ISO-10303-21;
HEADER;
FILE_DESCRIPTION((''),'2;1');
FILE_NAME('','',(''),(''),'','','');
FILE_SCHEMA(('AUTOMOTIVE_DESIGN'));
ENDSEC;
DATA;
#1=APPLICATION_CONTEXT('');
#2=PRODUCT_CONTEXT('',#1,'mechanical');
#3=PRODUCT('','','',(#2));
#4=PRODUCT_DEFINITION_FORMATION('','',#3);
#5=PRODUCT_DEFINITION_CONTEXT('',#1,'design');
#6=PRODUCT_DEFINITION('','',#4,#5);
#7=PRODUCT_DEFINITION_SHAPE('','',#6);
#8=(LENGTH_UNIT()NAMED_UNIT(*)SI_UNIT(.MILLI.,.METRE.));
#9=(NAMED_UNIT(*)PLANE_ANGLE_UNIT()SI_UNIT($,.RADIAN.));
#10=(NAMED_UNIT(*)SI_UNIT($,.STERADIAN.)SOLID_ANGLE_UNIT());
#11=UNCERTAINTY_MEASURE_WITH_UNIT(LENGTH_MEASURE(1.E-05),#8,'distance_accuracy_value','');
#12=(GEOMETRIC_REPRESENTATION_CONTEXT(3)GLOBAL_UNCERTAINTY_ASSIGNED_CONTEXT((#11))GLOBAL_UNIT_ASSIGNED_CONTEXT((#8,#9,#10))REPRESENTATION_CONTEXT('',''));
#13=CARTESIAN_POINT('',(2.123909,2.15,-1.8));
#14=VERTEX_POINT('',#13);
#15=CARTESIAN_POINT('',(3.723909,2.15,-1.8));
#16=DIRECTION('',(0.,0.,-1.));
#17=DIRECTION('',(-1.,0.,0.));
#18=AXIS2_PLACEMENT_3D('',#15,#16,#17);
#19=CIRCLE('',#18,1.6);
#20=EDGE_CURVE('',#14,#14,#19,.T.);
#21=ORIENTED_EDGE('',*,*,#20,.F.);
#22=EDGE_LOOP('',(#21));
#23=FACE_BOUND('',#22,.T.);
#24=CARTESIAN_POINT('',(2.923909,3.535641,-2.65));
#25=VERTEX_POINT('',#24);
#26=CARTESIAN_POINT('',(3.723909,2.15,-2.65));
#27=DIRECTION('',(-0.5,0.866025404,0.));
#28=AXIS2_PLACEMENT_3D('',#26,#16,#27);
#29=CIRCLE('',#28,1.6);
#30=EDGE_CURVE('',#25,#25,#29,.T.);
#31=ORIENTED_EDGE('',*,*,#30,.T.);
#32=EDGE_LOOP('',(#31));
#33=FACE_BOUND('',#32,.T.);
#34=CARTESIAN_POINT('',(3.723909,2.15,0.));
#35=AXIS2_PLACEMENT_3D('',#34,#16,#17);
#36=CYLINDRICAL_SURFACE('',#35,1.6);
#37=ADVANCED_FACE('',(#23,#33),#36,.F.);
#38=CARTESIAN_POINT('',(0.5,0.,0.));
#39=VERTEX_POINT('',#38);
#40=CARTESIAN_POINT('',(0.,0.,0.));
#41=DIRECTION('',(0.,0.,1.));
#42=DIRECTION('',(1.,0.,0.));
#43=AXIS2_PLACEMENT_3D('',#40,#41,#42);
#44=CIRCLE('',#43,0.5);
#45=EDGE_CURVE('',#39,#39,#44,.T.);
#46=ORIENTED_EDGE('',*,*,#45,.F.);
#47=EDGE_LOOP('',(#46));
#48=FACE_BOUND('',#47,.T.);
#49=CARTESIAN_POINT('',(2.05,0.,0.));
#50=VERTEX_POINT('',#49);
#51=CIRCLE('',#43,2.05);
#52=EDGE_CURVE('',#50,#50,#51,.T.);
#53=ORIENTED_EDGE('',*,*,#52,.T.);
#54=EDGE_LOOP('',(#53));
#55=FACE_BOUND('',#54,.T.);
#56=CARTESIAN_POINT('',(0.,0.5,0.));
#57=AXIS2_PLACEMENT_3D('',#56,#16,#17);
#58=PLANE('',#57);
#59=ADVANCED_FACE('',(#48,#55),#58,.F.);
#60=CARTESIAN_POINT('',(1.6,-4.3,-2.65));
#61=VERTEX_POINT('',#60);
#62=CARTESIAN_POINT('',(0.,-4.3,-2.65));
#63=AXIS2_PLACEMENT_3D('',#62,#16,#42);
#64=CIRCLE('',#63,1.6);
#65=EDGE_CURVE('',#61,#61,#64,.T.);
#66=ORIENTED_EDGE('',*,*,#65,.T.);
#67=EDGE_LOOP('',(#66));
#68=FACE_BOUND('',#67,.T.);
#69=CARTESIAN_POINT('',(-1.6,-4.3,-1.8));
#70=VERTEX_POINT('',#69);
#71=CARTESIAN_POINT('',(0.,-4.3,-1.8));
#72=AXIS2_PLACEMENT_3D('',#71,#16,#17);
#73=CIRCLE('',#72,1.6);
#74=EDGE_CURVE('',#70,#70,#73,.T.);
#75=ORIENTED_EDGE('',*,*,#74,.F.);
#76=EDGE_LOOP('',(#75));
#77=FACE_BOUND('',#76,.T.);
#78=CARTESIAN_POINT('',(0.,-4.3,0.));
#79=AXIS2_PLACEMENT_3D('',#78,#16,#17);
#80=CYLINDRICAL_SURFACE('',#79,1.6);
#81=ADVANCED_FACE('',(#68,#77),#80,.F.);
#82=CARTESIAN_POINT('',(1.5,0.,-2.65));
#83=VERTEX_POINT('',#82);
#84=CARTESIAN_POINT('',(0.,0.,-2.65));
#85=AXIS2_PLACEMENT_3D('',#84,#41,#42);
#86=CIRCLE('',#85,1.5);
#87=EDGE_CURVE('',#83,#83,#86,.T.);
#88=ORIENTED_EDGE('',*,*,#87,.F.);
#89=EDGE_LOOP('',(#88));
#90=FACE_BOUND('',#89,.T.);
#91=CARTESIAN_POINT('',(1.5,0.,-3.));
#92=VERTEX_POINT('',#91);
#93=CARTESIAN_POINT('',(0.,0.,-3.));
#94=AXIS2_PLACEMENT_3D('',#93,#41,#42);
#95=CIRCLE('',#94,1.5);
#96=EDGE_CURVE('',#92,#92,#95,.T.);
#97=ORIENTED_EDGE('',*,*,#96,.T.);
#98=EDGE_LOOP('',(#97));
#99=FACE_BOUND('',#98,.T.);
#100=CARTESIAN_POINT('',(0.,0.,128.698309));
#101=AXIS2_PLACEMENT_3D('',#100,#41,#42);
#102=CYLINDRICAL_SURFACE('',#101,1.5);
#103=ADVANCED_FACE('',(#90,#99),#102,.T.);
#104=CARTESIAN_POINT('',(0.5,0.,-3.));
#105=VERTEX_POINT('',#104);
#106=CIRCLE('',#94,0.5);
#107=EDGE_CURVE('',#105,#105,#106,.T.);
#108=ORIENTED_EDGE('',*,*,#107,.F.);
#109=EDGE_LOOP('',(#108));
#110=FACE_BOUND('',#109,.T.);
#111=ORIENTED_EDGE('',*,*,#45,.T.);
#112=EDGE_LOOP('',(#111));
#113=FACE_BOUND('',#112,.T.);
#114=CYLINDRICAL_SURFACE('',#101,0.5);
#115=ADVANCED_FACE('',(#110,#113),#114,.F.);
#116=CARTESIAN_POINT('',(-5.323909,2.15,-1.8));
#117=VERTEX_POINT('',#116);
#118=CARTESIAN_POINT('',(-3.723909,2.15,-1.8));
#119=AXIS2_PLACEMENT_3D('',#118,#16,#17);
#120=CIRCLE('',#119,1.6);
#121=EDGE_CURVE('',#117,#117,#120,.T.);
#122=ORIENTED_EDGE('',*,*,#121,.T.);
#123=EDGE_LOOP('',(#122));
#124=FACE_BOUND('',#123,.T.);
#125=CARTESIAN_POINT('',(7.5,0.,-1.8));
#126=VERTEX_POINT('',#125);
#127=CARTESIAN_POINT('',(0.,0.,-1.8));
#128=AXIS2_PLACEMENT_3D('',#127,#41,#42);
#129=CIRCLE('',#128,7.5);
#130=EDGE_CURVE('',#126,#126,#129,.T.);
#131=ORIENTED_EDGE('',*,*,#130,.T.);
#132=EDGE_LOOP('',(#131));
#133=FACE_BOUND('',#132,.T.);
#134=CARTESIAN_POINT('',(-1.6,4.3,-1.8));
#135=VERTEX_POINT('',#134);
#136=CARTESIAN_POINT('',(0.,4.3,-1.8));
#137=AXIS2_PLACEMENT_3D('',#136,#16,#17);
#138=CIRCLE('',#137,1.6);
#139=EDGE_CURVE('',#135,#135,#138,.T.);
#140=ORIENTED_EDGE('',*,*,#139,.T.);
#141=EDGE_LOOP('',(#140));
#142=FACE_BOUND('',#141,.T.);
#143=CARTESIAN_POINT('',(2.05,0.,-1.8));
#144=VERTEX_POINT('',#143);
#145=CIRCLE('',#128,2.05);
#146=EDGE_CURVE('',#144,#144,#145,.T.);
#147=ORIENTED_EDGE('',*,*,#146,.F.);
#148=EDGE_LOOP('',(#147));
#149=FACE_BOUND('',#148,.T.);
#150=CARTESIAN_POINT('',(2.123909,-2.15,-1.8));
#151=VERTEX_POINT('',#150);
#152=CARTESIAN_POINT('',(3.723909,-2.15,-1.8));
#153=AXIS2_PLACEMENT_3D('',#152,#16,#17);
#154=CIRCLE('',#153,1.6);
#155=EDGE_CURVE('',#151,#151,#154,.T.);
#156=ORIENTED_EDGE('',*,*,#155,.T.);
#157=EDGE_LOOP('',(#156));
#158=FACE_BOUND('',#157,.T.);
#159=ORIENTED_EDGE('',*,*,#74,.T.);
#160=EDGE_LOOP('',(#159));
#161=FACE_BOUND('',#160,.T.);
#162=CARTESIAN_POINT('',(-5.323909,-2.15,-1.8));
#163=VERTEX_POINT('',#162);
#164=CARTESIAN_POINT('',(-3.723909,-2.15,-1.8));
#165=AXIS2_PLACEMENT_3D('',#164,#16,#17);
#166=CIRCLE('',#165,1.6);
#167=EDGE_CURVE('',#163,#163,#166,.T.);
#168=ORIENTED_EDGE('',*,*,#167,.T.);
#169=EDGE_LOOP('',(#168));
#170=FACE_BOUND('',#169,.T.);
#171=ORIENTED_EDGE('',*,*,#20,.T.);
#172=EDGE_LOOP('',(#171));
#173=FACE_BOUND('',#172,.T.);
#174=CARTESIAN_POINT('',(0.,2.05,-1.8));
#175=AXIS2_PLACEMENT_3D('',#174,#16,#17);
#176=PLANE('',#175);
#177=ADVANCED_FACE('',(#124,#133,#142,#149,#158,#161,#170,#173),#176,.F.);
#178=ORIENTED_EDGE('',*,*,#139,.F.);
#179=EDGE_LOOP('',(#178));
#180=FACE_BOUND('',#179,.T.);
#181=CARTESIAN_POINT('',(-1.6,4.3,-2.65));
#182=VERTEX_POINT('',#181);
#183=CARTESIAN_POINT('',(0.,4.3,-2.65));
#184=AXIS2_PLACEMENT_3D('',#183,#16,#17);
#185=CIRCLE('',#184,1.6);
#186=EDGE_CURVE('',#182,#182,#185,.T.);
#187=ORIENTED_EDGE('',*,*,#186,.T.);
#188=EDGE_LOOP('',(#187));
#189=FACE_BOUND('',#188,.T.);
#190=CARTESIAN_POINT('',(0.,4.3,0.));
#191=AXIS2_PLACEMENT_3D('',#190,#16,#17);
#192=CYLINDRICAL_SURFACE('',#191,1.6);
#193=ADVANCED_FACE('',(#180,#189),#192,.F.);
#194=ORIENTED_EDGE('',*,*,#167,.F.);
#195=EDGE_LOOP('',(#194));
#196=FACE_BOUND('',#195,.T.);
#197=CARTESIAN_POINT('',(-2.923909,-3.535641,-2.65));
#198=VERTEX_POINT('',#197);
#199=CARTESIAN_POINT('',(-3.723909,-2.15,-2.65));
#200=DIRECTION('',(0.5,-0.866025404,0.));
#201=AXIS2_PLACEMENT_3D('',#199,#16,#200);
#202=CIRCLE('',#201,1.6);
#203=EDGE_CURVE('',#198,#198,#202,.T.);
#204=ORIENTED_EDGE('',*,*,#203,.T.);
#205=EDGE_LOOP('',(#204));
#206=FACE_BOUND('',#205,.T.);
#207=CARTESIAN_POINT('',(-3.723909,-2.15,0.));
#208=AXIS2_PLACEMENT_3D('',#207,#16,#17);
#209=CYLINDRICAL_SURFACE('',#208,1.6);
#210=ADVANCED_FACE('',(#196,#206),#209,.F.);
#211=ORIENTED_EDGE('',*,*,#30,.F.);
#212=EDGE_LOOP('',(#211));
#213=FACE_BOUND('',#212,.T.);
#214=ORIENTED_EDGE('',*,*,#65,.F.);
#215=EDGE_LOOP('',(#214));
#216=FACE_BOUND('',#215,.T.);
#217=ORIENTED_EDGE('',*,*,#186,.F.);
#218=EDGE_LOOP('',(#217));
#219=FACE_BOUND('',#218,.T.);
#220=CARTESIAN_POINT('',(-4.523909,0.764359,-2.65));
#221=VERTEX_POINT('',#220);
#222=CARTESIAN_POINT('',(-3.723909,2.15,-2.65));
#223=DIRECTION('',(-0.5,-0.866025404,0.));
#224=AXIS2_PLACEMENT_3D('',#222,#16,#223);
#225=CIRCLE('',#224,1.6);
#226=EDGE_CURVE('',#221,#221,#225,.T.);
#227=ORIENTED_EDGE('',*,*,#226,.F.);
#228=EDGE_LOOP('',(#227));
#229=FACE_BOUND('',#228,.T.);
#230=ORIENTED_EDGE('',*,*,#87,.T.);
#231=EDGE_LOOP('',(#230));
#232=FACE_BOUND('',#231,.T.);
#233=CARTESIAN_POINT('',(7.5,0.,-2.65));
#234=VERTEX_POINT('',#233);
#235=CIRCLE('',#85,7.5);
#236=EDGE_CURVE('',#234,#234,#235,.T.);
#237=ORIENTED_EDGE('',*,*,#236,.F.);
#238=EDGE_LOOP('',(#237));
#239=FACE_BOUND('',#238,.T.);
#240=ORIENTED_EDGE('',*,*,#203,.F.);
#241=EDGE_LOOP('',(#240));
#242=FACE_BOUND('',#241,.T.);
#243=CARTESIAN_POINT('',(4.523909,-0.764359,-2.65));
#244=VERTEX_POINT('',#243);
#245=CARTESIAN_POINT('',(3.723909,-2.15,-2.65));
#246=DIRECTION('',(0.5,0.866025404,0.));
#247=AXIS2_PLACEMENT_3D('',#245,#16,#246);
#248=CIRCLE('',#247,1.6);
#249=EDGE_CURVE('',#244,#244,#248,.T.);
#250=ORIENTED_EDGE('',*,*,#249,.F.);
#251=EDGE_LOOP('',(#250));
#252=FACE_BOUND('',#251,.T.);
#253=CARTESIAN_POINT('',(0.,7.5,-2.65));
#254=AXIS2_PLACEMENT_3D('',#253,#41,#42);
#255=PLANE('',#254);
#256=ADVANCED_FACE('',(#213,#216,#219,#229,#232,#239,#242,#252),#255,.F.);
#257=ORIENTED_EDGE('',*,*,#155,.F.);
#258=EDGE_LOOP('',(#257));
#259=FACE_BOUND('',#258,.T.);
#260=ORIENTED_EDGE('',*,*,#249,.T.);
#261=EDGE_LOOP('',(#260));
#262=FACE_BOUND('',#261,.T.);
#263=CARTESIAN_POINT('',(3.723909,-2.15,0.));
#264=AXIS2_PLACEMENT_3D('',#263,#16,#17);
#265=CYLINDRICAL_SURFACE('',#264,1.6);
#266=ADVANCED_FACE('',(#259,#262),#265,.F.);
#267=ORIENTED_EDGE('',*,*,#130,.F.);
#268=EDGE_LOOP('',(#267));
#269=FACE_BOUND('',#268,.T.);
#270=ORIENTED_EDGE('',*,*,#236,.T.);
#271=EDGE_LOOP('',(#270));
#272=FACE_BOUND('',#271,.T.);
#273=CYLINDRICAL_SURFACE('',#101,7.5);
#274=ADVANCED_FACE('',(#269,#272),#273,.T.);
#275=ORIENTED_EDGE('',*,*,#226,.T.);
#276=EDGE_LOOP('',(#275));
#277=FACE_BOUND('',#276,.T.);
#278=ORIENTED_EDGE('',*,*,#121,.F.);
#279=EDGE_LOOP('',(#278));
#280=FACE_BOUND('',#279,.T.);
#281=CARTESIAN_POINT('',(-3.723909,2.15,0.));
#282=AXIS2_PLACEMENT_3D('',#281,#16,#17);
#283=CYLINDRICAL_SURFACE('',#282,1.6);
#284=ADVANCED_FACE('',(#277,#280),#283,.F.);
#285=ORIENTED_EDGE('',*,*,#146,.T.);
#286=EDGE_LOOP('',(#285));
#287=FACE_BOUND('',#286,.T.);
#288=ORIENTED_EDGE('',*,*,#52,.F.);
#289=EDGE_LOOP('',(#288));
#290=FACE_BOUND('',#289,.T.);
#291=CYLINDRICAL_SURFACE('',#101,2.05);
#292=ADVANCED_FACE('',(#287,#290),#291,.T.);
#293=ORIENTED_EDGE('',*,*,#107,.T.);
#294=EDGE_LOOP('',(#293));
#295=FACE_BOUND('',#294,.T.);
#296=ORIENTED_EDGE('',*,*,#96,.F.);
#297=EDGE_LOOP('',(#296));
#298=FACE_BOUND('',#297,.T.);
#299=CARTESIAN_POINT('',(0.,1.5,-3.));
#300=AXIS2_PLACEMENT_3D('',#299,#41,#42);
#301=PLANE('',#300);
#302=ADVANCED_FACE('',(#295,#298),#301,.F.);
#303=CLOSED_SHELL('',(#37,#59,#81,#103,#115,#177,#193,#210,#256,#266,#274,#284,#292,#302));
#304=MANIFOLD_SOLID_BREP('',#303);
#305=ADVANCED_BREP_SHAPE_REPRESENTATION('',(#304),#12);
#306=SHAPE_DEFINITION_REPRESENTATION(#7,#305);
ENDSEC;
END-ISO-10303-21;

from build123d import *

# Parameters (mm, degrees)
SKETCH3_R          = 1.6
CUT_EXTRUDE1_DEPTH = 11.932634632
CIRPATTERN1_COUNT  = 6


with BuildPart() as part:
    # Sketch1 → Revolve1 (revolve)
    with BuildSketch(Plane(origin=(0, 0, 0), x_dir=(0, 0, -1), z_dir=(1, 0, 0)), mode=Mode.PRIVATE) as revolve1_sk:
        Polygon((0, 0.5), (0, 2.05), (1.8, 2.05), (1.8, 7.5), (2.65, 7.5), (2.65, 1.5), (3, 1.5), (3, 0.5), align=None)
    revolve(revolve1_sk.sketch.rotate(Axis((0, 0, 128.698308515), (0, 0, -1)), 90), axis=Axis((0, 0, 128.698308515), (0, 0, -1)))

    # Sketch3 → Cut-Extrude1 (cut, through all)
    with BuildSketch(Plane(origin=(0, 0, -2.65), x_dir=(-1, 0, 0), z_dir=(0, 0, -1))):
        with Locations((0, 4.3)):
            Circle(SKETCH3_R)
    cut_extrude1 = extrude(amount=-CUT_EXTRUDE1_DEPTH, mode=Mode.SUBTRACT)

    # CirPattern1: Cut-Extrude1 ×6 about axis
    cirpattern1_axis = Axis((0, 0, 0), (0, 0, 1))
    for i in range(1, CIRPATTERN1_COUNT):
        add(cut_extrude1.rotate(cirpattern1_axis, i * 360 / CIRPATTERN1_COUNT), mode=Mode.SUBTRACT)


solid = part.part
